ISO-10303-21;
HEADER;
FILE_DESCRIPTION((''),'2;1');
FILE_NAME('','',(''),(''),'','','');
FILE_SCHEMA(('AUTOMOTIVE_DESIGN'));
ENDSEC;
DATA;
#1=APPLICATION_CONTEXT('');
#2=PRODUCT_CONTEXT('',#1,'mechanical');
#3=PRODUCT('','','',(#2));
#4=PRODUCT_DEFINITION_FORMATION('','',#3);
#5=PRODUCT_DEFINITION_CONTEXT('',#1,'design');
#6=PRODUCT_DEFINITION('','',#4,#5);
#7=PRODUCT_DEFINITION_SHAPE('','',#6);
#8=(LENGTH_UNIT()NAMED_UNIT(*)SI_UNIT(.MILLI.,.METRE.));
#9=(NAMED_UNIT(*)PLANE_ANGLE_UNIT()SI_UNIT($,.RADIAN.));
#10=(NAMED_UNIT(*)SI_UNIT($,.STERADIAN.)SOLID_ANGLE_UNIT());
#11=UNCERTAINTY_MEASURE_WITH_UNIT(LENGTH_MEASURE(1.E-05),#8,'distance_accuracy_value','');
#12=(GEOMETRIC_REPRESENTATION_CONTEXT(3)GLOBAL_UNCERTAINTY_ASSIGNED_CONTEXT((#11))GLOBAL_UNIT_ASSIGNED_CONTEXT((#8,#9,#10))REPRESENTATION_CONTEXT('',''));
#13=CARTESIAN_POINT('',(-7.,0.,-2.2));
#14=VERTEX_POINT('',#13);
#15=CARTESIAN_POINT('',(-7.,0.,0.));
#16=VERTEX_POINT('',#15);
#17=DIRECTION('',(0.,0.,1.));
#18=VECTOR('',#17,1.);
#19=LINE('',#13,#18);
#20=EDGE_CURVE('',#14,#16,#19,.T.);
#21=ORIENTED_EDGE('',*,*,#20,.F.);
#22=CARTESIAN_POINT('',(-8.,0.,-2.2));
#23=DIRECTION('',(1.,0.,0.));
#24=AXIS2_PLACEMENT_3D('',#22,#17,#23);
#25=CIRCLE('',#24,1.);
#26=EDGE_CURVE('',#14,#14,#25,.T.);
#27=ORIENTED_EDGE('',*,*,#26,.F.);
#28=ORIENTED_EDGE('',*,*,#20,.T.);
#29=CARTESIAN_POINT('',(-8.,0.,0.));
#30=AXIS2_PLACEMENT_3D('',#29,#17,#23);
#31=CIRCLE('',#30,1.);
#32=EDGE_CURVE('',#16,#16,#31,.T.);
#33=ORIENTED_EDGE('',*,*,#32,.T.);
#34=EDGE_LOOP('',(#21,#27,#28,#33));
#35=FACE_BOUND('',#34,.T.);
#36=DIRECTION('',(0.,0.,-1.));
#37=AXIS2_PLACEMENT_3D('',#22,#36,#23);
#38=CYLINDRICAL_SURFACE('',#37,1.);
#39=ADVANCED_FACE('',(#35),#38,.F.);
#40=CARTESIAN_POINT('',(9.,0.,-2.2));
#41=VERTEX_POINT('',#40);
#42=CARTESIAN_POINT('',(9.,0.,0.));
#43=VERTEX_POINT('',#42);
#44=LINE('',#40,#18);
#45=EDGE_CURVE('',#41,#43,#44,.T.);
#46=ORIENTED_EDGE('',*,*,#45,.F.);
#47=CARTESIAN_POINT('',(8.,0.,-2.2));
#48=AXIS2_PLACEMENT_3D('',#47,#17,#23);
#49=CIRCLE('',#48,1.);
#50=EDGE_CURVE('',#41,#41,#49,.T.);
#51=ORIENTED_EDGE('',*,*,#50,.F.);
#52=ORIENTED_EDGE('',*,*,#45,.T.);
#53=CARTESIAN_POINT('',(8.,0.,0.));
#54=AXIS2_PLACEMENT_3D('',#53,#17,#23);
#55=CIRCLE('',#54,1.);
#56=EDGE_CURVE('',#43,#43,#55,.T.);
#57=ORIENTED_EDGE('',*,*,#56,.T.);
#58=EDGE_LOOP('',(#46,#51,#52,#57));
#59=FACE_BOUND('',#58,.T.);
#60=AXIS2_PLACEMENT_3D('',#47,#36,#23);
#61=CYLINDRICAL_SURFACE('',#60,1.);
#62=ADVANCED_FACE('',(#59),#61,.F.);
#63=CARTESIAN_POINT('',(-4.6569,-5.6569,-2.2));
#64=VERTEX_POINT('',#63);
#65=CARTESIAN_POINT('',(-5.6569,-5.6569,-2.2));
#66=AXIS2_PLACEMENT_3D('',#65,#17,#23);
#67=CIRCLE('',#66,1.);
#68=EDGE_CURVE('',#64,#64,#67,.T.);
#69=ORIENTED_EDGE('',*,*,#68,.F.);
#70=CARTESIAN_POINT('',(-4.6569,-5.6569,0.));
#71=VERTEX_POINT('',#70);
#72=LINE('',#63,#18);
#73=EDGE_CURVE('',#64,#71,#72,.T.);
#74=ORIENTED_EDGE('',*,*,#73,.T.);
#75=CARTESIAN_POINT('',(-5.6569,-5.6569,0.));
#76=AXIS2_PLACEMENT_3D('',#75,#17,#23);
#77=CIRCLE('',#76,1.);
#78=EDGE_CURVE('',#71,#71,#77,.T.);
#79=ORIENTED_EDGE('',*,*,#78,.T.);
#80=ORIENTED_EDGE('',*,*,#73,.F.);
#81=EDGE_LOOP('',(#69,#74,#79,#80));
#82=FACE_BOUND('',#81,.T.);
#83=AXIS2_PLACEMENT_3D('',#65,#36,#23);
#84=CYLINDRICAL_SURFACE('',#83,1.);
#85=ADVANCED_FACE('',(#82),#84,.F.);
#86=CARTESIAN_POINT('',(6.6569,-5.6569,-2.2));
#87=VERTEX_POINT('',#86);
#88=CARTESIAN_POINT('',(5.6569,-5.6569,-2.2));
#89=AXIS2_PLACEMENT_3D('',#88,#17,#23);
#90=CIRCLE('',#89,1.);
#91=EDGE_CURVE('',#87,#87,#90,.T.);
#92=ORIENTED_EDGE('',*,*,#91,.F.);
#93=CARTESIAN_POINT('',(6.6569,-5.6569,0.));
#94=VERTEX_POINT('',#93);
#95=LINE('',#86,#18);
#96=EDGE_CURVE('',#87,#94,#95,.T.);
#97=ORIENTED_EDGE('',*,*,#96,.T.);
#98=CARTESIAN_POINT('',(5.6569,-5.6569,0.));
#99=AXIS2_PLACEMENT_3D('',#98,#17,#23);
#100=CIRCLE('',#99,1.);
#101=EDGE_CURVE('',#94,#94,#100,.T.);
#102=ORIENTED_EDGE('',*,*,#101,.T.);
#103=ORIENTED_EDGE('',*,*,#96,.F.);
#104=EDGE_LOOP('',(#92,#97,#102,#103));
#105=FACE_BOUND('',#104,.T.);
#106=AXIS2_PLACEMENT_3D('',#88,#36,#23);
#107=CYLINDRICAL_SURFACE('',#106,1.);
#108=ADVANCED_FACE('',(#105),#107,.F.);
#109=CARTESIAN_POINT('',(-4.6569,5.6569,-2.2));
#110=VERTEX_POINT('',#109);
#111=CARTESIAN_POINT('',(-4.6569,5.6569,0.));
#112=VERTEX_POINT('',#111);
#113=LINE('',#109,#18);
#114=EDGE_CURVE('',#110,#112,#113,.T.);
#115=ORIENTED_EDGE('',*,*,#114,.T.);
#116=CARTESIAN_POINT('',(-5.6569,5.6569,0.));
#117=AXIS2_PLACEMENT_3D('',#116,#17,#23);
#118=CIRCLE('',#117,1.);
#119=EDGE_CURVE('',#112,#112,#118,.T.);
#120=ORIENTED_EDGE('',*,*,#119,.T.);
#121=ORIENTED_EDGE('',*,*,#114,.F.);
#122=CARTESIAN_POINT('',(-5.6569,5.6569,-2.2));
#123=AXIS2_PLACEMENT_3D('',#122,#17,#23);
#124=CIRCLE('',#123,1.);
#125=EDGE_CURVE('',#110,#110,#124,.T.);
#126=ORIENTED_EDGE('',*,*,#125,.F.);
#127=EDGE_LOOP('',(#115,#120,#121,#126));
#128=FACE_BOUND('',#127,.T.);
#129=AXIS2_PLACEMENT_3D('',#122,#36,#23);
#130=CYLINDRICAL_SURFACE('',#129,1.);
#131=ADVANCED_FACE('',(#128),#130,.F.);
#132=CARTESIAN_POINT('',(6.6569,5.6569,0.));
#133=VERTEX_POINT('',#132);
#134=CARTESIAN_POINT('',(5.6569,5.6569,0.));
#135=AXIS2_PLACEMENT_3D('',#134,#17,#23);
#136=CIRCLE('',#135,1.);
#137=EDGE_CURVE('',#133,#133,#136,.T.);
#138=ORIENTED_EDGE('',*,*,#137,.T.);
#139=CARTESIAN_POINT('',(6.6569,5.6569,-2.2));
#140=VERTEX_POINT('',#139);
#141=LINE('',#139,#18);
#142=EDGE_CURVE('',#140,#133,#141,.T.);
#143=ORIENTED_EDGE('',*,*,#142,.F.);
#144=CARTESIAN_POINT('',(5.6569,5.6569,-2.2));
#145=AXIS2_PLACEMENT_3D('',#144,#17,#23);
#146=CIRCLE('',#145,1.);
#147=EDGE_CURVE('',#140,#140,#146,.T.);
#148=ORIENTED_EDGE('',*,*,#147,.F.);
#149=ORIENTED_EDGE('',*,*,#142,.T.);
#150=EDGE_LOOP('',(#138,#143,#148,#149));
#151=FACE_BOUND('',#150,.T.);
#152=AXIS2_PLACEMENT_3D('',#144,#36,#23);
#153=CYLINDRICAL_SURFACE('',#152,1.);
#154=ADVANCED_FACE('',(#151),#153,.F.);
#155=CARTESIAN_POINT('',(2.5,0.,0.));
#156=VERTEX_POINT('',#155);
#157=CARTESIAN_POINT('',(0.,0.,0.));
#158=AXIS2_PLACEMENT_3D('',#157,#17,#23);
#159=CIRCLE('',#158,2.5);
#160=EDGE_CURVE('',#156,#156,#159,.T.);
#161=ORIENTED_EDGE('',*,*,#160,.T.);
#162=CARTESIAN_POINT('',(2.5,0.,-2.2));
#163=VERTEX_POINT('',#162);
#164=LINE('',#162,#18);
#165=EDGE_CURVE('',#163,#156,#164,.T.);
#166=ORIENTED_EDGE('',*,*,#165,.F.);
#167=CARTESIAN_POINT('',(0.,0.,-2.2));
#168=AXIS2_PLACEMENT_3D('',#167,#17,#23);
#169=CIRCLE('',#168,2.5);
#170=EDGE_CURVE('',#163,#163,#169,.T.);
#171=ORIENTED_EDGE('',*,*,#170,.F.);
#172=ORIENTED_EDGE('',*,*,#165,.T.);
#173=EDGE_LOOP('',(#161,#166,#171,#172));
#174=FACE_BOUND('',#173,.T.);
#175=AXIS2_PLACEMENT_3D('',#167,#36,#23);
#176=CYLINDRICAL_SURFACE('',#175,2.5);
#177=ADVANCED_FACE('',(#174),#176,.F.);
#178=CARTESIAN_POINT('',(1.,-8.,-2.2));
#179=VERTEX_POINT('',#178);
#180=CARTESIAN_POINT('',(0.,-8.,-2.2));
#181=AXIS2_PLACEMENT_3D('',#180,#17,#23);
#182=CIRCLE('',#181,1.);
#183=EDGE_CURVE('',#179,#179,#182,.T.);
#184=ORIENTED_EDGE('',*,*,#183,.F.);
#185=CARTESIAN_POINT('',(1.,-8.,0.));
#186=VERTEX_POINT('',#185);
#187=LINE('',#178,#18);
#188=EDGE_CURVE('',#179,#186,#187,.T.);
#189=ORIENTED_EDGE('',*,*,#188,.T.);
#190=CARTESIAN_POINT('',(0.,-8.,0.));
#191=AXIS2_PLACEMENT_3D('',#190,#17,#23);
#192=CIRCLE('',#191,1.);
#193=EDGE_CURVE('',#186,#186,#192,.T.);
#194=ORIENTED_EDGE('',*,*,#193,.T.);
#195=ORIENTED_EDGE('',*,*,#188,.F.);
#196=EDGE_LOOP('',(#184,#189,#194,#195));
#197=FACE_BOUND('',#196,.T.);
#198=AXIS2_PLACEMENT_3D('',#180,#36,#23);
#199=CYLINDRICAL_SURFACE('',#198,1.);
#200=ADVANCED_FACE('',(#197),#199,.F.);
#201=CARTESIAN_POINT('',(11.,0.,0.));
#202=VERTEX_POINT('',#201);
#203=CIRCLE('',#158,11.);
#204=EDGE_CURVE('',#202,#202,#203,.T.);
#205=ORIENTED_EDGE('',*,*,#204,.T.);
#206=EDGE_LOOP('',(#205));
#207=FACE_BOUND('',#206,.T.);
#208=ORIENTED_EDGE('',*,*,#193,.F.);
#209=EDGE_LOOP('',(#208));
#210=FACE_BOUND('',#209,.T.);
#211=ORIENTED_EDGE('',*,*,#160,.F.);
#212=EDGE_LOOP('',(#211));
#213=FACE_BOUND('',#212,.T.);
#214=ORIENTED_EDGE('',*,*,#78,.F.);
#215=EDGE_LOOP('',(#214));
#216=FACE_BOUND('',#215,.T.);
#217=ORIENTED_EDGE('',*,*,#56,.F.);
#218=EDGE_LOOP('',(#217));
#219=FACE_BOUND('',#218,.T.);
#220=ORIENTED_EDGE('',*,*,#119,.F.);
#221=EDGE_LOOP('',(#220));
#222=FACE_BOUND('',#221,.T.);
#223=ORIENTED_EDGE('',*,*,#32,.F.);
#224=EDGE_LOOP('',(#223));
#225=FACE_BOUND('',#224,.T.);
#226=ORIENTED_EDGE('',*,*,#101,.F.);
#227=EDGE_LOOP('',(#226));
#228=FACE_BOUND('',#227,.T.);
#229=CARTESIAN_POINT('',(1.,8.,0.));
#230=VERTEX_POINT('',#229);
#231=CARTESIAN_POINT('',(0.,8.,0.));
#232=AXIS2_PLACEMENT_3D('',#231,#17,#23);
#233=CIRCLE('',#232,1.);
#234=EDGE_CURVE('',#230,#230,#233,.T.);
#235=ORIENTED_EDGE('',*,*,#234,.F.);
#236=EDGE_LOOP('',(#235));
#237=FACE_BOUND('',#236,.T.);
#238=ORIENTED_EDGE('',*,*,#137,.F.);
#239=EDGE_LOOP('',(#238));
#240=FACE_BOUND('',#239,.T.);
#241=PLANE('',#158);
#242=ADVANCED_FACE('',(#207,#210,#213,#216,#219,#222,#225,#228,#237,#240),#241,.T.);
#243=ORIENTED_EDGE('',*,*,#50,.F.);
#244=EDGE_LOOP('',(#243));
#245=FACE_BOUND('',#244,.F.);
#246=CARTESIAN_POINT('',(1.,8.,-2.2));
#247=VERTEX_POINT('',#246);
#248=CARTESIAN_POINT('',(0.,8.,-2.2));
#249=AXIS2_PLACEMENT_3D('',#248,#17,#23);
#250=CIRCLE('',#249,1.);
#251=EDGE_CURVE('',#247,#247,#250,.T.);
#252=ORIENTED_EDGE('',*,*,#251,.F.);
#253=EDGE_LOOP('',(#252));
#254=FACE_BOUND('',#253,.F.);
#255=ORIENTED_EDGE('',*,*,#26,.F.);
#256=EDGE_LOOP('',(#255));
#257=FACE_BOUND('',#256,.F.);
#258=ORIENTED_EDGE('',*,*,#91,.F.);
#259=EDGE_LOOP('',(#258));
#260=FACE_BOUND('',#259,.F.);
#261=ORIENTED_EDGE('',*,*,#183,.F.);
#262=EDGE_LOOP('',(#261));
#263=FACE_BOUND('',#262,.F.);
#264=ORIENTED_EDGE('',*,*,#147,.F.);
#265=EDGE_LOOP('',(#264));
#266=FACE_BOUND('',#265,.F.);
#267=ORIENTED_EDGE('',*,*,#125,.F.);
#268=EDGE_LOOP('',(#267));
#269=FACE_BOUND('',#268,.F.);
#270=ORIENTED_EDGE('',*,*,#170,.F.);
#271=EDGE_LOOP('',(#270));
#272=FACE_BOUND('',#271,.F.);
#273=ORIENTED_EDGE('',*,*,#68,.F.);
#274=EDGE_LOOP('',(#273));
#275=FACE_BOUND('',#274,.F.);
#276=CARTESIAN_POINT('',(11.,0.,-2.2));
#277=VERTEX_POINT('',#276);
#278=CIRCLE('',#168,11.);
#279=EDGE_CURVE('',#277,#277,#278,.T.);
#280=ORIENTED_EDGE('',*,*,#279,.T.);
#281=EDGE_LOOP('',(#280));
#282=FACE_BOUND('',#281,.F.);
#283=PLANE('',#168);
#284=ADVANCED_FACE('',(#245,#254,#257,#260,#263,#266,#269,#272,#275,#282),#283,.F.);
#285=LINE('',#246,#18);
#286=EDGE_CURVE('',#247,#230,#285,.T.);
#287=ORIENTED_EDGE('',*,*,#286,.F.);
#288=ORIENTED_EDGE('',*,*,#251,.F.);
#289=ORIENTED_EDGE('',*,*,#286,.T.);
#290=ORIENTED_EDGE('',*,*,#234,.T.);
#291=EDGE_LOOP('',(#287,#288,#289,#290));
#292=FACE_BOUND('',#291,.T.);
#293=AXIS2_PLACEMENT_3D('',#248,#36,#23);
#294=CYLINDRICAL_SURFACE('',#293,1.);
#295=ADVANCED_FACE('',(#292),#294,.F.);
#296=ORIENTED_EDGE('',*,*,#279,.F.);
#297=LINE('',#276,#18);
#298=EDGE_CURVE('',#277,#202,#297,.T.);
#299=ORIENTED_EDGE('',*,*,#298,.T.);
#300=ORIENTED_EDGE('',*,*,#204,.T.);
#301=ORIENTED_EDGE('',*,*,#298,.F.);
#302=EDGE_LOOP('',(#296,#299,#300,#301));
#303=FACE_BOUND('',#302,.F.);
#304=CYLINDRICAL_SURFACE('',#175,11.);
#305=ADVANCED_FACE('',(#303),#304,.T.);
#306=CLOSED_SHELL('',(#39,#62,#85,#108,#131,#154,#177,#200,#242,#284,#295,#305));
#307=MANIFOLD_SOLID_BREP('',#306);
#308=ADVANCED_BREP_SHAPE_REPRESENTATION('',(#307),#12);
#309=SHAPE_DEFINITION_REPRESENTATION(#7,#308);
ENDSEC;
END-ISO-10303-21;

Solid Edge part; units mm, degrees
sketch "Sketch1" plane through (0, 0, -2.2) normal (0, 0, 1) x (1, 0, 0)
  circle A0 centre (0, 0) radius 11
  circle A1 centre (0, 0) radius 2.5
  circle A2 centre (8, 0) radius 1
  circle A3 centre (5.6569, 5.6569) radius 1
  circle A4 centre (0, 8) radius 1
  circle A5 centre (-5.6569, 5.6569) radius 1
  circle A6 centre (-8, 0) radius 1
  circle A7 centre (-5.6569, -5.6569) radius 1
  circle A8 centre (0, -8) radius 1
  circle A9 centre (5.6569, -5.6569) radius 1
extrude "ExtrudedProtrusion_1" add sketch "Sketch1" along normal blind 2.2
